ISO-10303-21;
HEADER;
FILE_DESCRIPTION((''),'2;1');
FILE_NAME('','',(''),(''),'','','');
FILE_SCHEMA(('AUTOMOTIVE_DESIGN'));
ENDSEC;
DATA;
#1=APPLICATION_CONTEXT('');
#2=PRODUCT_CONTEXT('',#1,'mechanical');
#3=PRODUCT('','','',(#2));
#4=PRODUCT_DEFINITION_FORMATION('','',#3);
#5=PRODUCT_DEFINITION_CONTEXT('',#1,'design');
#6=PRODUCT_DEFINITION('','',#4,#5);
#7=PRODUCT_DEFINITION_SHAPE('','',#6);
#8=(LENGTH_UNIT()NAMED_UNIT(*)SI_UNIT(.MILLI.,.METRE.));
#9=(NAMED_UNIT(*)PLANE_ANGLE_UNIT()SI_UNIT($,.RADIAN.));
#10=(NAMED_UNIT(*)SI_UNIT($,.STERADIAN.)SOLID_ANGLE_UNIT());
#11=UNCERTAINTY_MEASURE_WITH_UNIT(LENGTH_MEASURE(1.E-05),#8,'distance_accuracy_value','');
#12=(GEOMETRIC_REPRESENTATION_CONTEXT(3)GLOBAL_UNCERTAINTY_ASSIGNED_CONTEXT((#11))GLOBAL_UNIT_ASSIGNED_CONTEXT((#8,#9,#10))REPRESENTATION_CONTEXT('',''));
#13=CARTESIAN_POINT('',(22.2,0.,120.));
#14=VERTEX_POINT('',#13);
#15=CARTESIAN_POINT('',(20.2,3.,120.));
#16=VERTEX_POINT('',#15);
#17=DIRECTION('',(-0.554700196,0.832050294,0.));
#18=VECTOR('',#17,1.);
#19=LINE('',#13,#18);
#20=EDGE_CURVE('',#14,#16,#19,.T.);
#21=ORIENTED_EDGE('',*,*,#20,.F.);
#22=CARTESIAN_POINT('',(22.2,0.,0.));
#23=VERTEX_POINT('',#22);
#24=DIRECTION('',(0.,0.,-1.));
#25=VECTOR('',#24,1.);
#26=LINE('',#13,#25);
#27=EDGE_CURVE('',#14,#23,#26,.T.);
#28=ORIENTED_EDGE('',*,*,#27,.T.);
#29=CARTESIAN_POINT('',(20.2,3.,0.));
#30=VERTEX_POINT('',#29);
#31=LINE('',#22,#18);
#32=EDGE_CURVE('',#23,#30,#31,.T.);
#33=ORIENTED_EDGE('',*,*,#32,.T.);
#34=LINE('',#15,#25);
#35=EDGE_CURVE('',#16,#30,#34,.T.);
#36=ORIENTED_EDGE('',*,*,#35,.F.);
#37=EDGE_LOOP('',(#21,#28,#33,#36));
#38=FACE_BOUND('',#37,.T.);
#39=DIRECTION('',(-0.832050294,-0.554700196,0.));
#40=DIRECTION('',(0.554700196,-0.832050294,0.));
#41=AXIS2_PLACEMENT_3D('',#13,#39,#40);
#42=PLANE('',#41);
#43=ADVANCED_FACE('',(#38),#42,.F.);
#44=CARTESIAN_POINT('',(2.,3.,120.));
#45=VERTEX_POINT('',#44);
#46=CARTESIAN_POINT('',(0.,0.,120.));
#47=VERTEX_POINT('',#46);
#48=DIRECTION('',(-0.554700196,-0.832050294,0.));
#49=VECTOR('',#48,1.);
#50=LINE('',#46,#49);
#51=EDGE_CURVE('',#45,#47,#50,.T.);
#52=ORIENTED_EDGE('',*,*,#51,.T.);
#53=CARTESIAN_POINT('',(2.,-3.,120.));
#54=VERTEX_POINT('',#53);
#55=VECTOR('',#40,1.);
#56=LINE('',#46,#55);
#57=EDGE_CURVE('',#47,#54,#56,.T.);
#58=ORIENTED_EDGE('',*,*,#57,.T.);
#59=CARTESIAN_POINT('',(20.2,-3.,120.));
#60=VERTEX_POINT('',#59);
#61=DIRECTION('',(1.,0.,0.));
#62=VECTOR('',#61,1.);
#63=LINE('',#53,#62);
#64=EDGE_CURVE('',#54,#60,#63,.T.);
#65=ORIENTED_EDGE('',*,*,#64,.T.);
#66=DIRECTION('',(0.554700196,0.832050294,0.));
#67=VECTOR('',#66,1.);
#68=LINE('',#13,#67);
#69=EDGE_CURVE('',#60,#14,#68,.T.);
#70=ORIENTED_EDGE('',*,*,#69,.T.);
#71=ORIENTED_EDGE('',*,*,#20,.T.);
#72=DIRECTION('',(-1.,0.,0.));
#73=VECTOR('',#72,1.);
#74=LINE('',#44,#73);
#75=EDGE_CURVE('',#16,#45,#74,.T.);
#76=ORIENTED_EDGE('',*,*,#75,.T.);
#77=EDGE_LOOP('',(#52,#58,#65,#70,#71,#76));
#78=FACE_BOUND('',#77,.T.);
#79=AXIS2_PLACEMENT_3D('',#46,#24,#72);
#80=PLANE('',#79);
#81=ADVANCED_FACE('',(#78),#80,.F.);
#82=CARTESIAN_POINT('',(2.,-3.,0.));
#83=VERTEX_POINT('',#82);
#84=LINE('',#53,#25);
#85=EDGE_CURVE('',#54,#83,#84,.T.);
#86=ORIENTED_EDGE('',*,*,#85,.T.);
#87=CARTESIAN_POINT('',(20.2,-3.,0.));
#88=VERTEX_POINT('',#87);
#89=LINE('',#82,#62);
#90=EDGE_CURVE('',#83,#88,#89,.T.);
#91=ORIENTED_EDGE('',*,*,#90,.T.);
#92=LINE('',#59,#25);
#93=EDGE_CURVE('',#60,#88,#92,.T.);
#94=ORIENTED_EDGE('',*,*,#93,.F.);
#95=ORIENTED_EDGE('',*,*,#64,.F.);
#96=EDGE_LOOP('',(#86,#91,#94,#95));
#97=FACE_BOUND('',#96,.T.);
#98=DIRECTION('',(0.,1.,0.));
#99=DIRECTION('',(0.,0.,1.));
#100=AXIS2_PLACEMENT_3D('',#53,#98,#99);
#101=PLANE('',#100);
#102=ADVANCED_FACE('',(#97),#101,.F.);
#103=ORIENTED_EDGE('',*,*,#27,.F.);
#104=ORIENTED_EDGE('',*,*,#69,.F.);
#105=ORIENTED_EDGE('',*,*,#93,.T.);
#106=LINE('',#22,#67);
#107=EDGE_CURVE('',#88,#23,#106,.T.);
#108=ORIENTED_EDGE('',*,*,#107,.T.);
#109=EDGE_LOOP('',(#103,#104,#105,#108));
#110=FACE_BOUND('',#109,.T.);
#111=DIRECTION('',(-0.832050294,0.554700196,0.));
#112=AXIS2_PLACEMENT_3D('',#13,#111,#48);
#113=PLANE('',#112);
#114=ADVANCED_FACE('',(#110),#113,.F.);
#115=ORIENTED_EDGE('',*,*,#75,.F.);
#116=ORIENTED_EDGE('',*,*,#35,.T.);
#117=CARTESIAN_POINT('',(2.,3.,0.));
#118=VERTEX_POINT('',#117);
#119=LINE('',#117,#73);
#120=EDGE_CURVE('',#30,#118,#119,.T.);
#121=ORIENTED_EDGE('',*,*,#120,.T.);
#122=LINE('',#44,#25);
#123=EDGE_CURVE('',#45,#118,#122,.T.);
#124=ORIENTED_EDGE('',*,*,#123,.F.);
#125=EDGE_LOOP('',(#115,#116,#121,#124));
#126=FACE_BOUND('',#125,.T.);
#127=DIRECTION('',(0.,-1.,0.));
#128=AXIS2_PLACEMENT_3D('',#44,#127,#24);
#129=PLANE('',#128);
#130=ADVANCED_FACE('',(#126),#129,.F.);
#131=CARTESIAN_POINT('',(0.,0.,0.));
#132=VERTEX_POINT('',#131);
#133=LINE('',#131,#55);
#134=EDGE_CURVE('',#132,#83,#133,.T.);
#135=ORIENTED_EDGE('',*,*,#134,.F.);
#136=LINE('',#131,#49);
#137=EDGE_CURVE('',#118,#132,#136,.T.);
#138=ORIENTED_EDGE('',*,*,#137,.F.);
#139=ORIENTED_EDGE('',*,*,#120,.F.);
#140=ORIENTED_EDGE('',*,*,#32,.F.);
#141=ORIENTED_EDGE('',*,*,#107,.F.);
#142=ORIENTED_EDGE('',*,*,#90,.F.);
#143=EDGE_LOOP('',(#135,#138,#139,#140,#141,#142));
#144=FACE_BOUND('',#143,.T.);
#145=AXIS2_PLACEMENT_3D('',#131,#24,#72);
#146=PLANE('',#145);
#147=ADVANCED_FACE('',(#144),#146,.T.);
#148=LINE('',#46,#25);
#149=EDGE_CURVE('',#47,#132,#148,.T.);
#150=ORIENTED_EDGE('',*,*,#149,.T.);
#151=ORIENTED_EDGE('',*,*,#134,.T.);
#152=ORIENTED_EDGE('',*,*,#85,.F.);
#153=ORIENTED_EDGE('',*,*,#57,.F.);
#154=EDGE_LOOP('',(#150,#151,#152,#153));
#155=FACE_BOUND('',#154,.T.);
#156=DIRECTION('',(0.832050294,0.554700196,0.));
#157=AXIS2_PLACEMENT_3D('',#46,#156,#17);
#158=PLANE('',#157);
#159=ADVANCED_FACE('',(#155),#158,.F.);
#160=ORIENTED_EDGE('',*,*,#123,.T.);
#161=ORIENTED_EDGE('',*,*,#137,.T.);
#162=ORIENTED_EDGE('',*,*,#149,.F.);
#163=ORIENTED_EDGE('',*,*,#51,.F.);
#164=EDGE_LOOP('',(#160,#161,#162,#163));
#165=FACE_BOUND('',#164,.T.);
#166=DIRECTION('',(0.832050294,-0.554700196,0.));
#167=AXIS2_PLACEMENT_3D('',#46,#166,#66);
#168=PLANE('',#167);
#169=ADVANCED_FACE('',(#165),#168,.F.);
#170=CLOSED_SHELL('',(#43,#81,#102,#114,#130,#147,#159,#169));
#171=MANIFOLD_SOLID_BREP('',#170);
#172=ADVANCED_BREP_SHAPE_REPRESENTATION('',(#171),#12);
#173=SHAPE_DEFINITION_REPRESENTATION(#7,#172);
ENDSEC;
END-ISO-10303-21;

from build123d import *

# Parameters (mm, degrees)
BOSS_EXTRU_1_DEPTH = 120


with BuildPart() as part:
    # Esquisse1 → Boss.-Extru.1 (new body)
    with BuildSketch(Plane.XY):
        Polygon((0, 0), (2, 3), (20.2, 3), (22.2, 0), (20.2, -3), (2, -3), align=None)
    extrude(amount=BOSS_EXTRU_1_DEPTH)


solid = part.part
